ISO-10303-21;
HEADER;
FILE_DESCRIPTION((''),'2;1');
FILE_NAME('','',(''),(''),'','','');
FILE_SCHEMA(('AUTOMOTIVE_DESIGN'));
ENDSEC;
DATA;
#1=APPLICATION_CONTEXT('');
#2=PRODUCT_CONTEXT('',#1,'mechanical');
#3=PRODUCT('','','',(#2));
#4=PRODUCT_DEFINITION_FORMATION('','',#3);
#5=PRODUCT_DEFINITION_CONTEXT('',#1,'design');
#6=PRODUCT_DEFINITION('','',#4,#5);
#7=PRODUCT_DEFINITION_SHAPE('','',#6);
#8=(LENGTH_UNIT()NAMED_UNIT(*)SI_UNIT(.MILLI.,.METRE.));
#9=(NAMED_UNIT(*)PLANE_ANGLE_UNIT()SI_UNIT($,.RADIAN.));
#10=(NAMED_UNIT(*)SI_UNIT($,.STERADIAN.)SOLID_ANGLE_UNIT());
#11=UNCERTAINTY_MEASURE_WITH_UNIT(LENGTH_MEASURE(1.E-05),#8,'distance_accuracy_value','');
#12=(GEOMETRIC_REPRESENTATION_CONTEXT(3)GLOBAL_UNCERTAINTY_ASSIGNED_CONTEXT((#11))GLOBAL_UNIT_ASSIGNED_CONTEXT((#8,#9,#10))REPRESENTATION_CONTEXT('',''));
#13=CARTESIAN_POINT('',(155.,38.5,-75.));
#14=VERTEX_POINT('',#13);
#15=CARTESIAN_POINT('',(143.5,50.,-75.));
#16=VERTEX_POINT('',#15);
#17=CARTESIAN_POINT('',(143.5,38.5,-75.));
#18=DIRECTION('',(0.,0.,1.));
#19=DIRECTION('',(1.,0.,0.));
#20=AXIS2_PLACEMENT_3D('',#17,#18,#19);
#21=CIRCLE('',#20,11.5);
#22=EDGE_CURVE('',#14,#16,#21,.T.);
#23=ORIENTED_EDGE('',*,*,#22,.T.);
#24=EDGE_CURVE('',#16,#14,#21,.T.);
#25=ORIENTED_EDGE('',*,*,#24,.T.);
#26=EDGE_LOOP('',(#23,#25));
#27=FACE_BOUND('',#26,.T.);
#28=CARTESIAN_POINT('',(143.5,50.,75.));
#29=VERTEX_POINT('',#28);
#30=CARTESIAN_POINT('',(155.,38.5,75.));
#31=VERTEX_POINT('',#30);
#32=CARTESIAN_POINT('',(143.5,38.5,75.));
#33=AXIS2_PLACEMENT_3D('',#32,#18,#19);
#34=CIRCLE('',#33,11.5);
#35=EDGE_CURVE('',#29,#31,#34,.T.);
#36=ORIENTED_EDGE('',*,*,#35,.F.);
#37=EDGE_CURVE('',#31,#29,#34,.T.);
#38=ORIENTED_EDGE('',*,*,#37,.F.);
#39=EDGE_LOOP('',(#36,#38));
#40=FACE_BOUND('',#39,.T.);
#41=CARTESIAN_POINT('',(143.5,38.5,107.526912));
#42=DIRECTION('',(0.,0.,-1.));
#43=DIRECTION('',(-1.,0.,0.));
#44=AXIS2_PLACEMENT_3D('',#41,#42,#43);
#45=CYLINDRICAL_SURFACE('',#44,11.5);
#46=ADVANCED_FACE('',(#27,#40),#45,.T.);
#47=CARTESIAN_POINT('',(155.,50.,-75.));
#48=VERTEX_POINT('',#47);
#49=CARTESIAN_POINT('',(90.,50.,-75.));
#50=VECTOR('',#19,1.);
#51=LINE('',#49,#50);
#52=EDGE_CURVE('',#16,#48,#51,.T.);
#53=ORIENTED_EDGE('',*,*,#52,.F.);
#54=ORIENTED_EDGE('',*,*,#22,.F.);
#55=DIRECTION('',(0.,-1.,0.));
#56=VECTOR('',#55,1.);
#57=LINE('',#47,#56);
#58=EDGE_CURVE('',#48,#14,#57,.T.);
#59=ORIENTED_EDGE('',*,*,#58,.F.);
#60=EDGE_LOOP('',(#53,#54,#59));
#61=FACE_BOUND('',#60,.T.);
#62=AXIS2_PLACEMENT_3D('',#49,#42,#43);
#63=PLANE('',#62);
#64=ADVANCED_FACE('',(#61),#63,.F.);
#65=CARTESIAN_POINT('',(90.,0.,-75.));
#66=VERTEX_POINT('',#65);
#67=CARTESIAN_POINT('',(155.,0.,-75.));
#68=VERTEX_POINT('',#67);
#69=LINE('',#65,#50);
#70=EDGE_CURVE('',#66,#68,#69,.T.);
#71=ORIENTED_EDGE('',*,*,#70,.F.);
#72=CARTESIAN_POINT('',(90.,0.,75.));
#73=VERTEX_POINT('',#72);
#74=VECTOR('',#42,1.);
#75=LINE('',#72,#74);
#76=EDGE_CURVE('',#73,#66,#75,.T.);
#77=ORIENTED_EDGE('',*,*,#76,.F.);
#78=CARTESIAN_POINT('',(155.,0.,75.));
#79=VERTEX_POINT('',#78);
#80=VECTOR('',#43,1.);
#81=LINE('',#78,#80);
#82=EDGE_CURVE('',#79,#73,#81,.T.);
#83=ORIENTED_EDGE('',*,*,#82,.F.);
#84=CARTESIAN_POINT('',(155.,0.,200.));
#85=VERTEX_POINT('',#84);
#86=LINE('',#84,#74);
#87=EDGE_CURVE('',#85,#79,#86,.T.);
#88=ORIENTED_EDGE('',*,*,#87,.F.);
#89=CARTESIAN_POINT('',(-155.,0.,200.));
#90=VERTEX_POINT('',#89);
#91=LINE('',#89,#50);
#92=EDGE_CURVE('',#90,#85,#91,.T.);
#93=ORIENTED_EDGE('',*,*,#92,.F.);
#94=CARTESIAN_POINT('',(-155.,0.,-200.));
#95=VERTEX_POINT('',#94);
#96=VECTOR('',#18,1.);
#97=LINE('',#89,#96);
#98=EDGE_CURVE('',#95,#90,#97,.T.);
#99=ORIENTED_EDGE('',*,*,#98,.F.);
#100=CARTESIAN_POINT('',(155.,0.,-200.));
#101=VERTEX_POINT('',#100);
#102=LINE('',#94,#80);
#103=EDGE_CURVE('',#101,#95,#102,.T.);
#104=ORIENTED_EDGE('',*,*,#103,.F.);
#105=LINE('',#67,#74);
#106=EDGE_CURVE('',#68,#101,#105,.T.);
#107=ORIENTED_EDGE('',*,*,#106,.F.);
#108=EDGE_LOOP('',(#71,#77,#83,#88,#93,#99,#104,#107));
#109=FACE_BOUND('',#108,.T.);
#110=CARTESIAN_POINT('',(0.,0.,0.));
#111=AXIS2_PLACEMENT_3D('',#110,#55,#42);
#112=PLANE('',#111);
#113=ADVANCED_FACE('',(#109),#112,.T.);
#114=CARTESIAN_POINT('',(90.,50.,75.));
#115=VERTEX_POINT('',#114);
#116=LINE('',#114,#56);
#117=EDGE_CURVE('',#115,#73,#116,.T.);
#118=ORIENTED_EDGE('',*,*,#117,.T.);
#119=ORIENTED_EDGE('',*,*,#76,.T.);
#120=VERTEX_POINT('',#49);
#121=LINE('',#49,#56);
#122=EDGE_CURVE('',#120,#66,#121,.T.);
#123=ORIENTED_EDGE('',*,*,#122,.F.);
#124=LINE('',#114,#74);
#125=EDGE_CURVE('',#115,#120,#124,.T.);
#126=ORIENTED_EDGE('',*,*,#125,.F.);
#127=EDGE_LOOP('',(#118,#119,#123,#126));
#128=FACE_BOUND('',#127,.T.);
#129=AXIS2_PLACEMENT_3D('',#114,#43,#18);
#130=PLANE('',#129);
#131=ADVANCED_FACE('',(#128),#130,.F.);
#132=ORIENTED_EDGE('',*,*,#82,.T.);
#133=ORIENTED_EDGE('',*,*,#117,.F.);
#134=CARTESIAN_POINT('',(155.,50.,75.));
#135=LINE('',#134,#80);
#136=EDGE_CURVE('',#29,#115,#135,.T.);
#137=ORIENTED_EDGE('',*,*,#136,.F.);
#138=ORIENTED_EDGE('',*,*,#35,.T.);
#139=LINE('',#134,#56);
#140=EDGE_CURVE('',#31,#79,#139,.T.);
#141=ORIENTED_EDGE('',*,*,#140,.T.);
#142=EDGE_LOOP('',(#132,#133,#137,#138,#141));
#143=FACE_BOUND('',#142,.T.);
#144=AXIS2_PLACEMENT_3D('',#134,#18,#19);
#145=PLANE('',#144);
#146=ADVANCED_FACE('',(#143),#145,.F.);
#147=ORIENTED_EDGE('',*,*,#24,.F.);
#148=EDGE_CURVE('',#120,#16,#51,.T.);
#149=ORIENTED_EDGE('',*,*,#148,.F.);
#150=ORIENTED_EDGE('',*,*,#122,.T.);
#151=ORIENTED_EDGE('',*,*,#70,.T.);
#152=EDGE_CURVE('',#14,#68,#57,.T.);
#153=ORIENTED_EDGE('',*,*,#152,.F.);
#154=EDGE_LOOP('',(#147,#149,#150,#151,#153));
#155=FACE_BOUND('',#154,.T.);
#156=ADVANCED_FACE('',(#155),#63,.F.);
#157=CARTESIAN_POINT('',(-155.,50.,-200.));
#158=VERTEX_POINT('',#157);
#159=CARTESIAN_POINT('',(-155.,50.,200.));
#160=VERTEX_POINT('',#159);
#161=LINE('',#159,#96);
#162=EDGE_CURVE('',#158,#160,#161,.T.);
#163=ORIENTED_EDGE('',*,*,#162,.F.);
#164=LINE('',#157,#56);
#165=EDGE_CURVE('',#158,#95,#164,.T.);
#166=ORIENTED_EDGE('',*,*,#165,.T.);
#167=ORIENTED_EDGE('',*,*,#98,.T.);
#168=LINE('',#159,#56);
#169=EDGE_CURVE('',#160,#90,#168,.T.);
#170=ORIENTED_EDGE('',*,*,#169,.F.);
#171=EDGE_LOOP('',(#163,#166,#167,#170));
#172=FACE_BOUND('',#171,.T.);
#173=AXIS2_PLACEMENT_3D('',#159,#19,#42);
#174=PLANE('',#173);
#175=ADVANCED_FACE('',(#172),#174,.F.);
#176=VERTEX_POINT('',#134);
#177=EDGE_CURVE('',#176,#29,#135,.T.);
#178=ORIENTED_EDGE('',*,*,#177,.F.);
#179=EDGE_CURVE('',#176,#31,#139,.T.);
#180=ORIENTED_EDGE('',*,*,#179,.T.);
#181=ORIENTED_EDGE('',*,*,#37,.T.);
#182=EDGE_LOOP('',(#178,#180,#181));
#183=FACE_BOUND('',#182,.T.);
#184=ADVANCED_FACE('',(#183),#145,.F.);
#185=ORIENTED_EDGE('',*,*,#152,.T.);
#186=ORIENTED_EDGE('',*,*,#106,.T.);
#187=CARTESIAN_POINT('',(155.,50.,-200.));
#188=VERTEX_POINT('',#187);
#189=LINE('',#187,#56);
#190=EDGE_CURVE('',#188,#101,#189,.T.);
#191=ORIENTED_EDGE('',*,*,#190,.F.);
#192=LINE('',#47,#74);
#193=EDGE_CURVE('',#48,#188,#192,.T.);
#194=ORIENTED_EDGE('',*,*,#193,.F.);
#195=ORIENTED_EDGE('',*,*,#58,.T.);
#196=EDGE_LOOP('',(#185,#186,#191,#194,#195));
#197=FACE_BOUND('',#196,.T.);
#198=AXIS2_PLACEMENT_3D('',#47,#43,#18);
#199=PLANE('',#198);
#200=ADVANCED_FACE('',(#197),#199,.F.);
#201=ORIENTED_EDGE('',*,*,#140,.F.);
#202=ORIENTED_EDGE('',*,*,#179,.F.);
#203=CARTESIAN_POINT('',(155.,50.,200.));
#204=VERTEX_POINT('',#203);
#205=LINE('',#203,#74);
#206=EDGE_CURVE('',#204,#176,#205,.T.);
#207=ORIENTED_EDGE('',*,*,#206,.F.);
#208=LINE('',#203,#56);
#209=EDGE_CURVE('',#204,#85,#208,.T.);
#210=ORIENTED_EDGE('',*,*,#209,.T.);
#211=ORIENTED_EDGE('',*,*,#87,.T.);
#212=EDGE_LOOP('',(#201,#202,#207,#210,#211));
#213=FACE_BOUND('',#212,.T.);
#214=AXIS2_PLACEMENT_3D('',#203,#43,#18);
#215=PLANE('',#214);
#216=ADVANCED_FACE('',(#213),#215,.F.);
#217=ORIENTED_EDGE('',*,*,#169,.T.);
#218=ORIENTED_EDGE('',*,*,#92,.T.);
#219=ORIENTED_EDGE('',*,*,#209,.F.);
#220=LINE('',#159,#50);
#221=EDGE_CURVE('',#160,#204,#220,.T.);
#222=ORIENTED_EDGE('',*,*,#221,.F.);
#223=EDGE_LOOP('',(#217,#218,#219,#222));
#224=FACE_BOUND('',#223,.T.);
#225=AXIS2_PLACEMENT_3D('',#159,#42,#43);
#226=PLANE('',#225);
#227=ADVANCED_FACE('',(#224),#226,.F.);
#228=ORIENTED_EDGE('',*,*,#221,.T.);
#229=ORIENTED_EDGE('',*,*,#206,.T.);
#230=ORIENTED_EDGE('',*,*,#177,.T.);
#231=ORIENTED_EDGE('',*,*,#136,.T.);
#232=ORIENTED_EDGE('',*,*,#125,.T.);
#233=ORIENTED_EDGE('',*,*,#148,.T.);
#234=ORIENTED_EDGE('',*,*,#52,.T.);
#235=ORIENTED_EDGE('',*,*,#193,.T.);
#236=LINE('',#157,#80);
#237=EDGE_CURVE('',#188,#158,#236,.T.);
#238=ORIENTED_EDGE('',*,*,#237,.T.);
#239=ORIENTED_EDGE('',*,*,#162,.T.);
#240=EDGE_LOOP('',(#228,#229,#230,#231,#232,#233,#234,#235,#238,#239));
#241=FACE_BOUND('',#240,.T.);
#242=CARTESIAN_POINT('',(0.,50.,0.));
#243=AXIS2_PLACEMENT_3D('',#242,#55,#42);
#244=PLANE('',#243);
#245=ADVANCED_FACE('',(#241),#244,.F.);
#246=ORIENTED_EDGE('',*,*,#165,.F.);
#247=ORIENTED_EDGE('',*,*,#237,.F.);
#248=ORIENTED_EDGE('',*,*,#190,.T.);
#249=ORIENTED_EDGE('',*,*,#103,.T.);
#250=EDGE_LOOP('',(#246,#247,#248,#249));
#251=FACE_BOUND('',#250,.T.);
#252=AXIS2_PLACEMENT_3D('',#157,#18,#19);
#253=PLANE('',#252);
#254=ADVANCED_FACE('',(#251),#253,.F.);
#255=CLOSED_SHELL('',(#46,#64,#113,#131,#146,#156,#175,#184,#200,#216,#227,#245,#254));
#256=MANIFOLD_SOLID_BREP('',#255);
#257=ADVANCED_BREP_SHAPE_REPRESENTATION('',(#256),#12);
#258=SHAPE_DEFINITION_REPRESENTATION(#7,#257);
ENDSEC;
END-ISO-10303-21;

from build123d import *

# Parameters (mm, degrees)
BOSS_EXTRUDE1_DEPTH = 50
SKETCH2_R           = 11.5
BOSS_EXTRUDE2_DEPTH = 150


with BuildPart() as part:
    # Sketch1 → Boss-Extrude1 (new body)
    with BuildSketch(Plane(origin=(0, 0, 0), x_dir=(1, 0, 0), z_dir=(0, 1, 0))):
        Polygon((155, -200), (155, -75), (90, -75), (90, 75), (155, 75), (155, 200), (-155, 200), (-155, -200), align=None)
    extrude(amount=BOSS_EXTRUDE1_DEPTH)

    # Sketch2 → Boss-Extrude2 (add)
    with BuildSketch(Plane.XY.offset(-75)):
        with Locations(Location((143.5, 38.5, 0), (0, 0, 90))):
            Circle(SKETCH2_R)
    extrude(amount=BOSS_EXTRUDE2_DEPTH)


solid = part.part
